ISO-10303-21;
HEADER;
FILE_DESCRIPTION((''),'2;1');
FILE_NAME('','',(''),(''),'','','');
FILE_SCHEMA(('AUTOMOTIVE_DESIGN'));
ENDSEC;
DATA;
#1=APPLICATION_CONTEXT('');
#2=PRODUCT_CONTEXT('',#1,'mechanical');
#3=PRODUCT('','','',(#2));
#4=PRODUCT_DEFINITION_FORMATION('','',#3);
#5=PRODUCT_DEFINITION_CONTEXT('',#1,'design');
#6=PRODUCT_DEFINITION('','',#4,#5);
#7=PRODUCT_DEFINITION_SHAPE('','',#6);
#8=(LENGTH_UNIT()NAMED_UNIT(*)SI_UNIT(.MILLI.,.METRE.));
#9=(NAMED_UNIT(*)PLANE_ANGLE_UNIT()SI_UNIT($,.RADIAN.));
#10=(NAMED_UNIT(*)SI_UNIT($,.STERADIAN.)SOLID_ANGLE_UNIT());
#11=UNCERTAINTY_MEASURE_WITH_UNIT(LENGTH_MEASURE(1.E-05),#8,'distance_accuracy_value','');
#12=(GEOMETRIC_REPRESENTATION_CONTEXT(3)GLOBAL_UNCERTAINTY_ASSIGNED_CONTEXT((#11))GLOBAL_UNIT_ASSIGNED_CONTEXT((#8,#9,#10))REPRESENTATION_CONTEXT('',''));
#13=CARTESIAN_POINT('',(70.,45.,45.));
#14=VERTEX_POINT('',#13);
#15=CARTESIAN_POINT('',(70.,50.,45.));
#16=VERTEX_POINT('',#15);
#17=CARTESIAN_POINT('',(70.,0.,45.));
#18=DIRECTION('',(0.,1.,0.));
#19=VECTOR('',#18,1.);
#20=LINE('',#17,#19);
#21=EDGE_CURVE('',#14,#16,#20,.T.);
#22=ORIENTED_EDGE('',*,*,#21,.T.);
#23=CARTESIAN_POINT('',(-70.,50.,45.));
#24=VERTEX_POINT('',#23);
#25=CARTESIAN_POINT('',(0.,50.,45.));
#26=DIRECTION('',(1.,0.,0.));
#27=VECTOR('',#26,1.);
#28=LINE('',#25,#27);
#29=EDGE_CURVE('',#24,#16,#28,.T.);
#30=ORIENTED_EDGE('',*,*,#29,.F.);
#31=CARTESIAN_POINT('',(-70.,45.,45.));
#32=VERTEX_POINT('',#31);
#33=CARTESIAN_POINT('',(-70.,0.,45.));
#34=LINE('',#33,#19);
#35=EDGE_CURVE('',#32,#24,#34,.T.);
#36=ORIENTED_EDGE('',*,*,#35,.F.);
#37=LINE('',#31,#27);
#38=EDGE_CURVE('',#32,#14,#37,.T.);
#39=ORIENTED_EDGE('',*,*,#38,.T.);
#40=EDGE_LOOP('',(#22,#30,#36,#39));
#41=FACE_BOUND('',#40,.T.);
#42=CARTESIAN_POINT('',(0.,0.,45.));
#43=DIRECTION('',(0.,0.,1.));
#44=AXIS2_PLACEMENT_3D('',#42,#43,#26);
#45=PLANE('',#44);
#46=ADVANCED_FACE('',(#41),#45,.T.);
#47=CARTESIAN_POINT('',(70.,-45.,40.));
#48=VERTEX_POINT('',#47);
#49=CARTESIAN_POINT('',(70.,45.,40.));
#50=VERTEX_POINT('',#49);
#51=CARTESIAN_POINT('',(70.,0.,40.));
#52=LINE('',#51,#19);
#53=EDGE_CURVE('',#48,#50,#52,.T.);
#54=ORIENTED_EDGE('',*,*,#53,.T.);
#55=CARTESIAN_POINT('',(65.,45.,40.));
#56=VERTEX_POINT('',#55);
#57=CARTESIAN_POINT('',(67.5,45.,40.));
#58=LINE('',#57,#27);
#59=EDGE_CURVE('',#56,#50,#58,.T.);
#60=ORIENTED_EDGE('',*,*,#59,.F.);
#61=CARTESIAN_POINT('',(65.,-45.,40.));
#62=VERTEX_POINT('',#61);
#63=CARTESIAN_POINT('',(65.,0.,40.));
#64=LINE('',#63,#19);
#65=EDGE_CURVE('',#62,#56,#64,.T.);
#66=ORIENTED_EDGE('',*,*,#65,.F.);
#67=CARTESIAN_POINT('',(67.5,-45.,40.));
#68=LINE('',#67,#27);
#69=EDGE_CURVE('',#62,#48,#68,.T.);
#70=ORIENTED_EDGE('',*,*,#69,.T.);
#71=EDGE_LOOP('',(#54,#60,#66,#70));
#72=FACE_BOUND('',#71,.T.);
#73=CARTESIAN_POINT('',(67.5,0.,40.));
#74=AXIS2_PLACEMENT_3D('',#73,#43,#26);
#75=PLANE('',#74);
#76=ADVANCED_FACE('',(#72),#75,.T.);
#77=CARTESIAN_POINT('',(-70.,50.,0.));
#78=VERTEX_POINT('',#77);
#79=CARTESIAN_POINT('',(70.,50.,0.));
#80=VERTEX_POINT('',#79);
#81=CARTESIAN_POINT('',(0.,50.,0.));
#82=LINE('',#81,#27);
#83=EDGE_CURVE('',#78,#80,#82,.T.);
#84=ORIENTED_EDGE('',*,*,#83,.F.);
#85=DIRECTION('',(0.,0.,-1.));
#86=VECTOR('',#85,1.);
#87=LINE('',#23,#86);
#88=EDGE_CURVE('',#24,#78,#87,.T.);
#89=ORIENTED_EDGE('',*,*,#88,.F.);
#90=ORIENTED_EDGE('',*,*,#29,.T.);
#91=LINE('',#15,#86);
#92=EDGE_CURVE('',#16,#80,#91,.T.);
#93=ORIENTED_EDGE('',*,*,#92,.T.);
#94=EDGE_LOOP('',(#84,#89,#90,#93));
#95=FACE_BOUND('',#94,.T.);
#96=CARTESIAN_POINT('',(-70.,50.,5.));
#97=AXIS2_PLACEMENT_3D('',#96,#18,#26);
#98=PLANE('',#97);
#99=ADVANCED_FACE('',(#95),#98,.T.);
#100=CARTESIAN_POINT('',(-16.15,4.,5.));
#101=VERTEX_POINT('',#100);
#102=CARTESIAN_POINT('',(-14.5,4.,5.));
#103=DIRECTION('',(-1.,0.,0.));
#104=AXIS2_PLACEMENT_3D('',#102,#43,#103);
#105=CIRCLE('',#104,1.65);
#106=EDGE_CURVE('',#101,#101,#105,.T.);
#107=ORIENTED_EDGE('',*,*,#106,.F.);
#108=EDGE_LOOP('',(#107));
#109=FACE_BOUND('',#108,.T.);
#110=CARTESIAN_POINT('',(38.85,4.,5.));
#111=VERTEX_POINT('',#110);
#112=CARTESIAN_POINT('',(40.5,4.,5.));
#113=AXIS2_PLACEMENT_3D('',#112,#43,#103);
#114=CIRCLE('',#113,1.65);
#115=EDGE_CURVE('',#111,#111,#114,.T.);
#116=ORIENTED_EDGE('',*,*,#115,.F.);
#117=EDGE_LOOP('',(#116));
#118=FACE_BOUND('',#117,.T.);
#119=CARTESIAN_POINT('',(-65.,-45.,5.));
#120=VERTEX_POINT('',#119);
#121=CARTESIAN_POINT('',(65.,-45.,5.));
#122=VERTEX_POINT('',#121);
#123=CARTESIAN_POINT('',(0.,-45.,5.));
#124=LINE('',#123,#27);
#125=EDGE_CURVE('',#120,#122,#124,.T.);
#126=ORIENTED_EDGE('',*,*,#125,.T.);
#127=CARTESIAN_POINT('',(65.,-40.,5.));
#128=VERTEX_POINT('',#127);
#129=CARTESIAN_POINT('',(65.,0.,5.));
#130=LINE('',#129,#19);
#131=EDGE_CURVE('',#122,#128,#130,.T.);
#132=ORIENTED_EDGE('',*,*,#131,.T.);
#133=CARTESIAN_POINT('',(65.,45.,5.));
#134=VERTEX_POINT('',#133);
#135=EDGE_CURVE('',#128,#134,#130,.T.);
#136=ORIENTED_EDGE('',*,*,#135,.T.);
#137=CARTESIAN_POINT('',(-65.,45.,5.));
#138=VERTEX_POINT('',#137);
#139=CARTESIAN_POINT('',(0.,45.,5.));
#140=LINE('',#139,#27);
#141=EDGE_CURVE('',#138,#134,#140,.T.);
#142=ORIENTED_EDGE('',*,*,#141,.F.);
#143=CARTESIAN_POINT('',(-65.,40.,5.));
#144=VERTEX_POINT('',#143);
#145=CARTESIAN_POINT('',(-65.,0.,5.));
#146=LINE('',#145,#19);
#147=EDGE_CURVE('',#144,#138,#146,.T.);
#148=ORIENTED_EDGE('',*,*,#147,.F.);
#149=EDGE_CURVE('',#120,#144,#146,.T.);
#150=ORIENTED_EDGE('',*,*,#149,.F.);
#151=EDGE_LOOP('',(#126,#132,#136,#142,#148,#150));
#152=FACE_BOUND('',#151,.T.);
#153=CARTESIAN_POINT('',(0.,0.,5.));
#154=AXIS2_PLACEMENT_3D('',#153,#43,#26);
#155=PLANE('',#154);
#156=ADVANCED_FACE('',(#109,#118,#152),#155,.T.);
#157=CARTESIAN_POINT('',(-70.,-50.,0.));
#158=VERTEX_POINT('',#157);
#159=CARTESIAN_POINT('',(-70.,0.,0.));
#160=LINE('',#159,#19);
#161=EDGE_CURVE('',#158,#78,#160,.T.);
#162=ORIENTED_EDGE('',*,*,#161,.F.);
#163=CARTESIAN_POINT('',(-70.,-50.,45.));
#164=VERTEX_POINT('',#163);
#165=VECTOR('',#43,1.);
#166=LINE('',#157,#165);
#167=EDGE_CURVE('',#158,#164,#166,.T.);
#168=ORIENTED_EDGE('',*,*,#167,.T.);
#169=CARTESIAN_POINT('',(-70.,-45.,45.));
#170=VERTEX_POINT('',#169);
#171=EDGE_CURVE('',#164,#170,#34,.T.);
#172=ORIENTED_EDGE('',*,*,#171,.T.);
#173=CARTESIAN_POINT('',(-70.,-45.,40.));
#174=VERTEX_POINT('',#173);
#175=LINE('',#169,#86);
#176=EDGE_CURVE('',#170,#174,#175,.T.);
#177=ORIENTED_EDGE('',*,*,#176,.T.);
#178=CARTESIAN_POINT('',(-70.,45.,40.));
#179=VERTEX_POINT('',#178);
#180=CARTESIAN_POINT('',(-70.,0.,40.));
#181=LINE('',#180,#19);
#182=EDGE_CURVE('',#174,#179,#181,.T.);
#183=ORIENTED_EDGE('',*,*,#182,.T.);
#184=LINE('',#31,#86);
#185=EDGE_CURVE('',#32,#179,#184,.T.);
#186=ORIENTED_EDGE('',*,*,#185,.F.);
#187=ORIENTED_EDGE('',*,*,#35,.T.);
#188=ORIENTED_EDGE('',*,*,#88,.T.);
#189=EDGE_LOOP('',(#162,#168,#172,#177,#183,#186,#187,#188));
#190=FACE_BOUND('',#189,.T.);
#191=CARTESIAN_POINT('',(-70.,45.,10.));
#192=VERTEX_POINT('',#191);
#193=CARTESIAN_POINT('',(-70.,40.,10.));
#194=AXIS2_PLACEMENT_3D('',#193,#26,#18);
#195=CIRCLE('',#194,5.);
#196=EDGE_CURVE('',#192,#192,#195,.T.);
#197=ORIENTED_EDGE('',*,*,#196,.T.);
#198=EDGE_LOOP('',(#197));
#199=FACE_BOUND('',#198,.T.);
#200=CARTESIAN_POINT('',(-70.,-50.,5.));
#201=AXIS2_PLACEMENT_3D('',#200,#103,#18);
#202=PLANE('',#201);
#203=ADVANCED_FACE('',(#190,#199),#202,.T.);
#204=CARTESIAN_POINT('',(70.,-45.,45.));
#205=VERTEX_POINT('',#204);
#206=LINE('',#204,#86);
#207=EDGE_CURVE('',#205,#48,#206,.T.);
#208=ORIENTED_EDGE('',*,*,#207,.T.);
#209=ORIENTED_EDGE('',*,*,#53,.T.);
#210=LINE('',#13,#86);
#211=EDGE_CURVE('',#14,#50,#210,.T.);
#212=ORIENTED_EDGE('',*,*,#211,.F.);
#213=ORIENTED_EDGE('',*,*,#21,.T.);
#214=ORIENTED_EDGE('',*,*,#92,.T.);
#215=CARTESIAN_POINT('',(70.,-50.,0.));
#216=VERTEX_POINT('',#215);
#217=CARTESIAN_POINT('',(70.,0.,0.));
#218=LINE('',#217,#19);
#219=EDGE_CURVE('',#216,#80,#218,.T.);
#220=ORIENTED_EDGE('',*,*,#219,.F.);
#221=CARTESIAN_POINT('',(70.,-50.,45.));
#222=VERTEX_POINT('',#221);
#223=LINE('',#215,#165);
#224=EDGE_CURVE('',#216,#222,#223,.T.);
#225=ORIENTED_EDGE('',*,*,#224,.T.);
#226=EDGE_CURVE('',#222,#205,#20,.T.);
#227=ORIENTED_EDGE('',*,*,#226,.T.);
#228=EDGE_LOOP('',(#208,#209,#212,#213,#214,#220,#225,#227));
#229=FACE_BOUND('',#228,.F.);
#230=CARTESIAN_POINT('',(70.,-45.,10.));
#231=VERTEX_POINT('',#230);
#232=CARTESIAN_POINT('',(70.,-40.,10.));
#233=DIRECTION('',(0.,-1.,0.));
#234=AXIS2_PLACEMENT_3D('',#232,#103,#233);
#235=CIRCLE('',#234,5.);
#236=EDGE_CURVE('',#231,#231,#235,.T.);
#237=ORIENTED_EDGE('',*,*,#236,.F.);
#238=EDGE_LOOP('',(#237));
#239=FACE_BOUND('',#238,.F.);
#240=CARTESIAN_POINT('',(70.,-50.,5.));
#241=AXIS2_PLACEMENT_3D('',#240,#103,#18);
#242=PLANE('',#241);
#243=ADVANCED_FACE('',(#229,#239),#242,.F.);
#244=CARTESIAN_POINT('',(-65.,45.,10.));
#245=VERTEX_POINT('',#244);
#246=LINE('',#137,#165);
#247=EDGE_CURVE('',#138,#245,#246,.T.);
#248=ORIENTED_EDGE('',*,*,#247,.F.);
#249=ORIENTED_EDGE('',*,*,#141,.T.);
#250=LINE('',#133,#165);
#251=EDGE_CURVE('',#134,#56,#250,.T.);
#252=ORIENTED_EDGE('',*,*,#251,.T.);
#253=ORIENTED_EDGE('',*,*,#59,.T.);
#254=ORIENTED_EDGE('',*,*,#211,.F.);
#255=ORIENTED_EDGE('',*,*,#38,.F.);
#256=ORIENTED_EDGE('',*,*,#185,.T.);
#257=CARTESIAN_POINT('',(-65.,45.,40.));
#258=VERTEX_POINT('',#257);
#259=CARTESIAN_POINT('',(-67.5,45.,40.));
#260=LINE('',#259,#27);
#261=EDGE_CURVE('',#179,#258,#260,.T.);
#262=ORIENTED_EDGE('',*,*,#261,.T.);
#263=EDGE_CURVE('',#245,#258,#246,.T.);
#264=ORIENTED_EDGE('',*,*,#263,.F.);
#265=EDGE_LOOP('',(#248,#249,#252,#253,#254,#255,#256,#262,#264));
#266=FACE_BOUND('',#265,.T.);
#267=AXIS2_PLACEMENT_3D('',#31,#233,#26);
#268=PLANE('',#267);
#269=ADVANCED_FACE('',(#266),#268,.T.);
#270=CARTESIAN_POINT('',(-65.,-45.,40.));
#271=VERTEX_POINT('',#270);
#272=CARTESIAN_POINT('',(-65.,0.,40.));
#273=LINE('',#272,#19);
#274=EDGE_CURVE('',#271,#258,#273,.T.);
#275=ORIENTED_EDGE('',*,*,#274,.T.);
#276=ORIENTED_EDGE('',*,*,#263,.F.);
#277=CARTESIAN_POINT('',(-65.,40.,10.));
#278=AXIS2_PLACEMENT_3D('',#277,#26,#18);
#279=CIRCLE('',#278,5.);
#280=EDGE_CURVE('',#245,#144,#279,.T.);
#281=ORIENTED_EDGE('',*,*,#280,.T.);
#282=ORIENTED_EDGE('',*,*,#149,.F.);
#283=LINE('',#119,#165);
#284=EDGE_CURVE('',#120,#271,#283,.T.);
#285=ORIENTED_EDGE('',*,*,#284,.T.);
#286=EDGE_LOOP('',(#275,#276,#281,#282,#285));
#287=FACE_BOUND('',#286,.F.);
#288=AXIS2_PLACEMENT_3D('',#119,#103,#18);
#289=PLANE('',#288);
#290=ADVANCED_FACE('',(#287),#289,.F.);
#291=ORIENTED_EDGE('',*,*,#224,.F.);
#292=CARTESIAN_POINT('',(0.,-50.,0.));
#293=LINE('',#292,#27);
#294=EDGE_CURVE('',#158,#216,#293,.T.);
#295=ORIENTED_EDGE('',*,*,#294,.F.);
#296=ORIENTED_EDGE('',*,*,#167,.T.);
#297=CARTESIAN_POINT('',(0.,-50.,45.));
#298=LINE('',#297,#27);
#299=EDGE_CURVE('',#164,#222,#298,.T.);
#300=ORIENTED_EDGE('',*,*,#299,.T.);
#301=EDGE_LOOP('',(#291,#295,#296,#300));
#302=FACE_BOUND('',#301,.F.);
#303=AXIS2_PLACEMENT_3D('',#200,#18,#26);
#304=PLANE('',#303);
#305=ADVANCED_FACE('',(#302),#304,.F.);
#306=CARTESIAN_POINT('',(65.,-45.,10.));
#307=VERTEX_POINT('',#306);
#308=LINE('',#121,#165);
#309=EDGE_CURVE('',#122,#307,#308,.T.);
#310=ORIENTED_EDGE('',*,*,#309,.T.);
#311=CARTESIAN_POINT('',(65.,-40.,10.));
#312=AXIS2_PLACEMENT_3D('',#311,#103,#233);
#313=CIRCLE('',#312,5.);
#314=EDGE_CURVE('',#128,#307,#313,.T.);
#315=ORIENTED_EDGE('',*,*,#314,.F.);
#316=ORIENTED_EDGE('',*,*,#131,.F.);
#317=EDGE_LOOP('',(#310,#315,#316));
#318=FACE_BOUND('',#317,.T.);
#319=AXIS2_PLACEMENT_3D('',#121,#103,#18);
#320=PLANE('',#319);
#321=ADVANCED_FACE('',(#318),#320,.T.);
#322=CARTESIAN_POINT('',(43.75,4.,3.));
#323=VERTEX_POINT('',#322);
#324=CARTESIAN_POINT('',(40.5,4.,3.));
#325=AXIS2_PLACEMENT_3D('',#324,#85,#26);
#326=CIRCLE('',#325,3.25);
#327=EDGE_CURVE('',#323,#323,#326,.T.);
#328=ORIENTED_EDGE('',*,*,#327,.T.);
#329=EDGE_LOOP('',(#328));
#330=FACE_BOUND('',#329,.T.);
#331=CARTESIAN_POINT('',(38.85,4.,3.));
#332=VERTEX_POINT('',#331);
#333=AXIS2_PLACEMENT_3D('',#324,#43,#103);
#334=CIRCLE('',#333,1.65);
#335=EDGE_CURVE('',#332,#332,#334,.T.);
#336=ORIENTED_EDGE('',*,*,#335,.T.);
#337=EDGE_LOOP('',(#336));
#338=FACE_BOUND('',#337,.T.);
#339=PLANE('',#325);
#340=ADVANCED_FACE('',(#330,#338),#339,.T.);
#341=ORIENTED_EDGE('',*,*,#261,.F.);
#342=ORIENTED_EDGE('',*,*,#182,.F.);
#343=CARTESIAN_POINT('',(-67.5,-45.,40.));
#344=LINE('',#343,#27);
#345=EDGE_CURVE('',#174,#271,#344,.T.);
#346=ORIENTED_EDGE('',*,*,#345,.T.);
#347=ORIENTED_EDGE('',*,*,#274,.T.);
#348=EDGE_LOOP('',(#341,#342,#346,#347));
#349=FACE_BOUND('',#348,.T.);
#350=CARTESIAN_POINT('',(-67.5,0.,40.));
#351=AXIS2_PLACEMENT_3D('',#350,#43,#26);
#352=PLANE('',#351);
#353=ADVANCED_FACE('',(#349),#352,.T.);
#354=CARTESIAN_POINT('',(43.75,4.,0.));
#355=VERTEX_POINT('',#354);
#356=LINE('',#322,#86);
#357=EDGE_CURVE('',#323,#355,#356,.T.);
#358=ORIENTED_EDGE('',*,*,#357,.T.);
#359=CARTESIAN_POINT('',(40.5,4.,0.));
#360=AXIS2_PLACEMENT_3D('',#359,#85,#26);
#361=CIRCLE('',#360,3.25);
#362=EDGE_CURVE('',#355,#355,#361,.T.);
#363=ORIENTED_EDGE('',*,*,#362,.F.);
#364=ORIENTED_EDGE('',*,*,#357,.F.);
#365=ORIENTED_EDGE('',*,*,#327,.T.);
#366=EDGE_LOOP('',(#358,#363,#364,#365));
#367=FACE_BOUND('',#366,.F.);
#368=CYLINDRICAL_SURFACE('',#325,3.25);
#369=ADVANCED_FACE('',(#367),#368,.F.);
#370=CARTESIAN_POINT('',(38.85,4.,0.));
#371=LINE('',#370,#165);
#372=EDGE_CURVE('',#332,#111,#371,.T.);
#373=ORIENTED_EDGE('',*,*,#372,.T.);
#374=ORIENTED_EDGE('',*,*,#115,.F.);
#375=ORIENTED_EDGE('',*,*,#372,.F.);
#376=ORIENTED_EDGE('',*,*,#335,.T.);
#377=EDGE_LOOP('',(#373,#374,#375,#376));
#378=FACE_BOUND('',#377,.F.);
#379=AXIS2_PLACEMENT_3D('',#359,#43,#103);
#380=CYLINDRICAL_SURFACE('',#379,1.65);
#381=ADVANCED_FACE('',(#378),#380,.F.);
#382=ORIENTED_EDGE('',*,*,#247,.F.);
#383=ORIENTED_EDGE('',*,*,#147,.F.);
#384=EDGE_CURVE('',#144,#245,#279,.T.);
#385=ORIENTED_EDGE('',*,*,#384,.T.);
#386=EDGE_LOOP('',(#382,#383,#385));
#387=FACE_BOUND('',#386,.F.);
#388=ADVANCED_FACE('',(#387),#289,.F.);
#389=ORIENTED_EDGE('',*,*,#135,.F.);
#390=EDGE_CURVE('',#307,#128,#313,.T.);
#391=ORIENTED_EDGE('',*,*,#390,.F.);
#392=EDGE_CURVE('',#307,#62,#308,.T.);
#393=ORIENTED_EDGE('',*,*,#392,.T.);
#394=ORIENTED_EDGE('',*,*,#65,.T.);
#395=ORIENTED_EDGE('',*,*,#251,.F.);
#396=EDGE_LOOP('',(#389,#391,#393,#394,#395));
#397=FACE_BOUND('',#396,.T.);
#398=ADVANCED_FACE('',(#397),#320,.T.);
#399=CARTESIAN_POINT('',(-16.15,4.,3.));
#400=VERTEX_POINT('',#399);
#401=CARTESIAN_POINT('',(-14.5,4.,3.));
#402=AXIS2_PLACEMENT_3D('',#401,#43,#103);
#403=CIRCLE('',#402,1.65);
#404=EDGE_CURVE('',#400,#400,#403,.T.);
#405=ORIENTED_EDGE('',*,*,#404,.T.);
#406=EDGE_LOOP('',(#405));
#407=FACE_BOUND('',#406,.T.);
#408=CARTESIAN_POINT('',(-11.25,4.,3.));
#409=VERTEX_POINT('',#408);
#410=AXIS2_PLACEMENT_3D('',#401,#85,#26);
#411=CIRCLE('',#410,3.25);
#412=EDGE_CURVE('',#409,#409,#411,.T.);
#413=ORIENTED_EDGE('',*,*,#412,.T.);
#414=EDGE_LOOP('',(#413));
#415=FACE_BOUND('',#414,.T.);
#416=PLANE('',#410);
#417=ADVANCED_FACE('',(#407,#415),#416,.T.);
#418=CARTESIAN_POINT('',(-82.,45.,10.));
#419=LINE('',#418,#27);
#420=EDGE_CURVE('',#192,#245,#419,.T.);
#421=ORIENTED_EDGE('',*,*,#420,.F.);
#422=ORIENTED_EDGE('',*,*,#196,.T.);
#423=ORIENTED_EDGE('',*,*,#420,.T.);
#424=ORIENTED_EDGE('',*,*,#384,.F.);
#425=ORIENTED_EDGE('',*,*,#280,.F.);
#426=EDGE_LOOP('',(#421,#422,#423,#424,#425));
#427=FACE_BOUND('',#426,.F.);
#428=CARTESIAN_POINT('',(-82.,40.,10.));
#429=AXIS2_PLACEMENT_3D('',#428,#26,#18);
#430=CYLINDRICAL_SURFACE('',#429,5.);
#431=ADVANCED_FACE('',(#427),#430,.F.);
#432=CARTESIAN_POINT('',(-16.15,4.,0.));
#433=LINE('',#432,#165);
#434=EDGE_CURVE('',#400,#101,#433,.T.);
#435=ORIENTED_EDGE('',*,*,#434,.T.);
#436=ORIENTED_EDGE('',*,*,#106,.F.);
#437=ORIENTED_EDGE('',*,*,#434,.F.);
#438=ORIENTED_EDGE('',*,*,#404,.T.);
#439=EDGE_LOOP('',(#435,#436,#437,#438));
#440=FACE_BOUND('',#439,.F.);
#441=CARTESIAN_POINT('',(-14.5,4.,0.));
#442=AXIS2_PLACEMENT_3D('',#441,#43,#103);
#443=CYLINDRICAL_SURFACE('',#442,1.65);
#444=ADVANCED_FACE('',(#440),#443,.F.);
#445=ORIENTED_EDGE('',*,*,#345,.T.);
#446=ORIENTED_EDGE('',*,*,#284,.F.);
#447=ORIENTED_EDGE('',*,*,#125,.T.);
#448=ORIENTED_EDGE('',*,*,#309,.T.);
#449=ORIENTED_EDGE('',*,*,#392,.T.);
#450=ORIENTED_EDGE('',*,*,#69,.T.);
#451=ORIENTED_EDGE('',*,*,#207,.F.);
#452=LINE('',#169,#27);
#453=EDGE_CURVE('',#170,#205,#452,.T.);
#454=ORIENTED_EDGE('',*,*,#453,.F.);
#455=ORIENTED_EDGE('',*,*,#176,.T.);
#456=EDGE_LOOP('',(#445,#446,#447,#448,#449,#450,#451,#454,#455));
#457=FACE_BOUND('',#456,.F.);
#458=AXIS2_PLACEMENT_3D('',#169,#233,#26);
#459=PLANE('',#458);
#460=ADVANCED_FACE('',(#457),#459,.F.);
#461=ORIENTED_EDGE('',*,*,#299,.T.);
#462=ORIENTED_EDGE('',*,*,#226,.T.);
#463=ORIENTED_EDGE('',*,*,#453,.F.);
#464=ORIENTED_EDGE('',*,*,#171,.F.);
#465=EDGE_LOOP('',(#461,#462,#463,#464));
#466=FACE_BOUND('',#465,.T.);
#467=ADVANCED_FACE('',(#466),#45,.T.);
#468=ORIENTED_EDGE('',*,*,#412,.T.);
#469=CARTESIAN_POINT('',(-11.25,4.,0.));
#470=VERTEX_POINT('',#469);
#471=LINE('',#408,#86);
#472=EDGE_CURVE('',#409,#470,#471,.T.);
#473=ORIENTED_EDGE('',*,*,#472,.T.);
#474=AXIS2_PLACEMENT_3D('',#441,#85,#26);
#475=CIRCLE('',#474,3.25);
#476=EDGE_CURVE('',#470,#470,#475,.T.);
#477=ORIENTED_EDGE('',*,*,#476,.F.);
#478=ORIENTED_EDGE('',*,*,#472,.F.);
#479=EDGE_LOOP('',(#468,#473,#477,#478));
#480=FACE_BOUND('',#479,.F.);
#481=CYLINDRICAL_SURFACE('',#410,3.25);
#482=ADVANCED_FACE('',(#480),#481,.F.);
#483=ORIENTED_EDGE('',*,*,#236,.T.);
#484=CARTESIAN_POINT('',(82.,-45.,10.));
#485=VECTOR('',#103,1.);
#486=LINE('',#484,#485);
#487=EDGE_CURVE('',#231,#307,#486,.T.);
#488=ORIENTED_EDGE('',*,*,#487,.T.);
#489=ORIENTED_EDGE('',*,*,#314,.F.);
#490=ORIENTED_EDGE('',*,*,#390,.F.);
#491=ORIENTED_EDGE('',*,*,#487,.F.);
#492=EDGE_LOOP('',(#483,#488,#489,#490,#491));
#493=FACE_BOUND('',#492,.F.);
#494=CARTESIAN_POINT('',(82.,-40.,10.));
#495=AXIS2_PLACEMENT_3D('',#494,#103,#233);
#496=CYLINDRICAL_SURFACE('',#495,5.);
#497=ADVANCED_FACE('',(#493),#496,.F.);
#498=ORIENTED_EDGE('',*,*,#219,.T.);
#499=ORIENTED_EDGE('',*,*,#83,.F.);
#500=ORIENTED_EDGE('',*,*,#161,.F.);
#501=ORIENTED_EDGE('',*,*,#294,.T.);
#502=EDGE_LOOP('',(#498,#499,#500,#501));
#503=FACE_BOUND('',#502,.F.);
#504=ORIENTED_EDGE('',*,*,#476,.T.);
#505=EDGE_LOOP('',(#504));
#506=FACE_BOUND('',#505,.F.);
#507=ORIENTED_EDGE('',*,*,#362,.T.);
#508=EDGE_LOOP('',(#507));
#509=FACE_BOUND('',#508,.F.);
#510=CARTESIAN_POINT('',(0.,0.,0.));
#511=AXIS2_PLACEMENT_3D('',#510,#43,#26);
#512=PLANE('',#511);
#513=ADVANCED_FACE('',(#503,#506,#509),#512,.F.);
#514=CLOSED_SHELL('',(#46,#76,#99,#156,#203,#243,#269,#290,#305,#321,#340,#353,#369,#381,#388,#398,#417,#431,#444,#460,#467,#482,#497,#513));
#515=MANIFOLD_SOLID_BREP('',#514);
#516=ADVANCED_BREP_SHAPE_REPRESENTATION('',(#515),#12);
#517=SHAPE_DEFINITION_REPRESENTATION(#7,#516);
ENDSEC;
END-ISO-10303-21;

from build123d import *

# Parameters (mm, degrees)
F0_W           = 140
F0_H           = 100
F1_DEPTH       = 5
F2_W           = 140
F2_H           = 100
F2_W_2         = 130
F2_H_2         = 90
F3_DEPTH       = 40
F5_D           = 3.3
F5_CBORE_D     = 6.5
F5_CBORE_DEPTH = 3
F7_D           = 10
F7_DEPTH       = 12
F7_TIP         = 3.0043030951
F9_D           = 10
F9_DEPTH       = 12
F9_TIP         = 3.0043030951
F10_W          = 5
F10_H          = 90
F11_DEPTH      = 5


with BuildPart() as f1:
    # F0 (on Top) → F1 (new body)
    with BuildSketch(Plane.XY):
        Rectangle(F0_W, F0_H)
    extrude(amount=F1_DEPTH)

    # F2 (on face) → F3 (join)
    with BuildSketch(Plane.XY.offset(5)):
        Rectangle(F2_W, F2_H)
        Rectangle(F2_W_2, F2_H_2, mode=Mode.SUBTRACT)
    extrude(amount=F3_DEPTH)

    # F5 (through all)
    with Locations(Plane(origin=(0, 0, 0), x_dir=(1, 0, 0), z_dir=(0, 0, -1))):
        with Locations((40.5, -4), (-14.5, -4)):
            CounterBoreHole(F5_D / 2, F5_CBORE_D / 2, F5_CBORE_DEPTH)

    # F7
    with Locations(Plane.YZ.offset(70)):
        with Locations((-40, 10)):
            Hole(F7_D / 2, depth=F7_DEPTH)
            with Locations((0, 0, -(F7_DEPTH + F7_TIP / 2))):  # 118° drill point
                Cone(0, F7_D / 2, F7_TIP, mode=Mode.SUBTRACT)

    # F9
    with Locations(Plane(origin=(-70, 0, 0), x_dir=(0, -1, 0), z_dir=(-1, 0, 0))):
        with Locations((-40, 10)):
            Hole(F9_D / 2, depth=F9_DEPTH)
            with Locations((0, 0, -(F9_DEPTH + F9_TIP / 2))):  # 118° drill point
                Cone(0, F9_D / 2, F9_TIP, mode=Mode.SUBTRACT)

    # F10 (on face) → F11 (cut)
    with BuildSketch(Plane.XY.offset(45)):
        with Locations((-67.5, 0)):
            Rectangle(F10_W, F10_H)
        with Locations((67.5, 0)):
            Rectangle(F10_W, F10_H)
    extrude(amount=-F11_DEPTH, mode=Mode.SUBTRACT)


solid = f1.part
